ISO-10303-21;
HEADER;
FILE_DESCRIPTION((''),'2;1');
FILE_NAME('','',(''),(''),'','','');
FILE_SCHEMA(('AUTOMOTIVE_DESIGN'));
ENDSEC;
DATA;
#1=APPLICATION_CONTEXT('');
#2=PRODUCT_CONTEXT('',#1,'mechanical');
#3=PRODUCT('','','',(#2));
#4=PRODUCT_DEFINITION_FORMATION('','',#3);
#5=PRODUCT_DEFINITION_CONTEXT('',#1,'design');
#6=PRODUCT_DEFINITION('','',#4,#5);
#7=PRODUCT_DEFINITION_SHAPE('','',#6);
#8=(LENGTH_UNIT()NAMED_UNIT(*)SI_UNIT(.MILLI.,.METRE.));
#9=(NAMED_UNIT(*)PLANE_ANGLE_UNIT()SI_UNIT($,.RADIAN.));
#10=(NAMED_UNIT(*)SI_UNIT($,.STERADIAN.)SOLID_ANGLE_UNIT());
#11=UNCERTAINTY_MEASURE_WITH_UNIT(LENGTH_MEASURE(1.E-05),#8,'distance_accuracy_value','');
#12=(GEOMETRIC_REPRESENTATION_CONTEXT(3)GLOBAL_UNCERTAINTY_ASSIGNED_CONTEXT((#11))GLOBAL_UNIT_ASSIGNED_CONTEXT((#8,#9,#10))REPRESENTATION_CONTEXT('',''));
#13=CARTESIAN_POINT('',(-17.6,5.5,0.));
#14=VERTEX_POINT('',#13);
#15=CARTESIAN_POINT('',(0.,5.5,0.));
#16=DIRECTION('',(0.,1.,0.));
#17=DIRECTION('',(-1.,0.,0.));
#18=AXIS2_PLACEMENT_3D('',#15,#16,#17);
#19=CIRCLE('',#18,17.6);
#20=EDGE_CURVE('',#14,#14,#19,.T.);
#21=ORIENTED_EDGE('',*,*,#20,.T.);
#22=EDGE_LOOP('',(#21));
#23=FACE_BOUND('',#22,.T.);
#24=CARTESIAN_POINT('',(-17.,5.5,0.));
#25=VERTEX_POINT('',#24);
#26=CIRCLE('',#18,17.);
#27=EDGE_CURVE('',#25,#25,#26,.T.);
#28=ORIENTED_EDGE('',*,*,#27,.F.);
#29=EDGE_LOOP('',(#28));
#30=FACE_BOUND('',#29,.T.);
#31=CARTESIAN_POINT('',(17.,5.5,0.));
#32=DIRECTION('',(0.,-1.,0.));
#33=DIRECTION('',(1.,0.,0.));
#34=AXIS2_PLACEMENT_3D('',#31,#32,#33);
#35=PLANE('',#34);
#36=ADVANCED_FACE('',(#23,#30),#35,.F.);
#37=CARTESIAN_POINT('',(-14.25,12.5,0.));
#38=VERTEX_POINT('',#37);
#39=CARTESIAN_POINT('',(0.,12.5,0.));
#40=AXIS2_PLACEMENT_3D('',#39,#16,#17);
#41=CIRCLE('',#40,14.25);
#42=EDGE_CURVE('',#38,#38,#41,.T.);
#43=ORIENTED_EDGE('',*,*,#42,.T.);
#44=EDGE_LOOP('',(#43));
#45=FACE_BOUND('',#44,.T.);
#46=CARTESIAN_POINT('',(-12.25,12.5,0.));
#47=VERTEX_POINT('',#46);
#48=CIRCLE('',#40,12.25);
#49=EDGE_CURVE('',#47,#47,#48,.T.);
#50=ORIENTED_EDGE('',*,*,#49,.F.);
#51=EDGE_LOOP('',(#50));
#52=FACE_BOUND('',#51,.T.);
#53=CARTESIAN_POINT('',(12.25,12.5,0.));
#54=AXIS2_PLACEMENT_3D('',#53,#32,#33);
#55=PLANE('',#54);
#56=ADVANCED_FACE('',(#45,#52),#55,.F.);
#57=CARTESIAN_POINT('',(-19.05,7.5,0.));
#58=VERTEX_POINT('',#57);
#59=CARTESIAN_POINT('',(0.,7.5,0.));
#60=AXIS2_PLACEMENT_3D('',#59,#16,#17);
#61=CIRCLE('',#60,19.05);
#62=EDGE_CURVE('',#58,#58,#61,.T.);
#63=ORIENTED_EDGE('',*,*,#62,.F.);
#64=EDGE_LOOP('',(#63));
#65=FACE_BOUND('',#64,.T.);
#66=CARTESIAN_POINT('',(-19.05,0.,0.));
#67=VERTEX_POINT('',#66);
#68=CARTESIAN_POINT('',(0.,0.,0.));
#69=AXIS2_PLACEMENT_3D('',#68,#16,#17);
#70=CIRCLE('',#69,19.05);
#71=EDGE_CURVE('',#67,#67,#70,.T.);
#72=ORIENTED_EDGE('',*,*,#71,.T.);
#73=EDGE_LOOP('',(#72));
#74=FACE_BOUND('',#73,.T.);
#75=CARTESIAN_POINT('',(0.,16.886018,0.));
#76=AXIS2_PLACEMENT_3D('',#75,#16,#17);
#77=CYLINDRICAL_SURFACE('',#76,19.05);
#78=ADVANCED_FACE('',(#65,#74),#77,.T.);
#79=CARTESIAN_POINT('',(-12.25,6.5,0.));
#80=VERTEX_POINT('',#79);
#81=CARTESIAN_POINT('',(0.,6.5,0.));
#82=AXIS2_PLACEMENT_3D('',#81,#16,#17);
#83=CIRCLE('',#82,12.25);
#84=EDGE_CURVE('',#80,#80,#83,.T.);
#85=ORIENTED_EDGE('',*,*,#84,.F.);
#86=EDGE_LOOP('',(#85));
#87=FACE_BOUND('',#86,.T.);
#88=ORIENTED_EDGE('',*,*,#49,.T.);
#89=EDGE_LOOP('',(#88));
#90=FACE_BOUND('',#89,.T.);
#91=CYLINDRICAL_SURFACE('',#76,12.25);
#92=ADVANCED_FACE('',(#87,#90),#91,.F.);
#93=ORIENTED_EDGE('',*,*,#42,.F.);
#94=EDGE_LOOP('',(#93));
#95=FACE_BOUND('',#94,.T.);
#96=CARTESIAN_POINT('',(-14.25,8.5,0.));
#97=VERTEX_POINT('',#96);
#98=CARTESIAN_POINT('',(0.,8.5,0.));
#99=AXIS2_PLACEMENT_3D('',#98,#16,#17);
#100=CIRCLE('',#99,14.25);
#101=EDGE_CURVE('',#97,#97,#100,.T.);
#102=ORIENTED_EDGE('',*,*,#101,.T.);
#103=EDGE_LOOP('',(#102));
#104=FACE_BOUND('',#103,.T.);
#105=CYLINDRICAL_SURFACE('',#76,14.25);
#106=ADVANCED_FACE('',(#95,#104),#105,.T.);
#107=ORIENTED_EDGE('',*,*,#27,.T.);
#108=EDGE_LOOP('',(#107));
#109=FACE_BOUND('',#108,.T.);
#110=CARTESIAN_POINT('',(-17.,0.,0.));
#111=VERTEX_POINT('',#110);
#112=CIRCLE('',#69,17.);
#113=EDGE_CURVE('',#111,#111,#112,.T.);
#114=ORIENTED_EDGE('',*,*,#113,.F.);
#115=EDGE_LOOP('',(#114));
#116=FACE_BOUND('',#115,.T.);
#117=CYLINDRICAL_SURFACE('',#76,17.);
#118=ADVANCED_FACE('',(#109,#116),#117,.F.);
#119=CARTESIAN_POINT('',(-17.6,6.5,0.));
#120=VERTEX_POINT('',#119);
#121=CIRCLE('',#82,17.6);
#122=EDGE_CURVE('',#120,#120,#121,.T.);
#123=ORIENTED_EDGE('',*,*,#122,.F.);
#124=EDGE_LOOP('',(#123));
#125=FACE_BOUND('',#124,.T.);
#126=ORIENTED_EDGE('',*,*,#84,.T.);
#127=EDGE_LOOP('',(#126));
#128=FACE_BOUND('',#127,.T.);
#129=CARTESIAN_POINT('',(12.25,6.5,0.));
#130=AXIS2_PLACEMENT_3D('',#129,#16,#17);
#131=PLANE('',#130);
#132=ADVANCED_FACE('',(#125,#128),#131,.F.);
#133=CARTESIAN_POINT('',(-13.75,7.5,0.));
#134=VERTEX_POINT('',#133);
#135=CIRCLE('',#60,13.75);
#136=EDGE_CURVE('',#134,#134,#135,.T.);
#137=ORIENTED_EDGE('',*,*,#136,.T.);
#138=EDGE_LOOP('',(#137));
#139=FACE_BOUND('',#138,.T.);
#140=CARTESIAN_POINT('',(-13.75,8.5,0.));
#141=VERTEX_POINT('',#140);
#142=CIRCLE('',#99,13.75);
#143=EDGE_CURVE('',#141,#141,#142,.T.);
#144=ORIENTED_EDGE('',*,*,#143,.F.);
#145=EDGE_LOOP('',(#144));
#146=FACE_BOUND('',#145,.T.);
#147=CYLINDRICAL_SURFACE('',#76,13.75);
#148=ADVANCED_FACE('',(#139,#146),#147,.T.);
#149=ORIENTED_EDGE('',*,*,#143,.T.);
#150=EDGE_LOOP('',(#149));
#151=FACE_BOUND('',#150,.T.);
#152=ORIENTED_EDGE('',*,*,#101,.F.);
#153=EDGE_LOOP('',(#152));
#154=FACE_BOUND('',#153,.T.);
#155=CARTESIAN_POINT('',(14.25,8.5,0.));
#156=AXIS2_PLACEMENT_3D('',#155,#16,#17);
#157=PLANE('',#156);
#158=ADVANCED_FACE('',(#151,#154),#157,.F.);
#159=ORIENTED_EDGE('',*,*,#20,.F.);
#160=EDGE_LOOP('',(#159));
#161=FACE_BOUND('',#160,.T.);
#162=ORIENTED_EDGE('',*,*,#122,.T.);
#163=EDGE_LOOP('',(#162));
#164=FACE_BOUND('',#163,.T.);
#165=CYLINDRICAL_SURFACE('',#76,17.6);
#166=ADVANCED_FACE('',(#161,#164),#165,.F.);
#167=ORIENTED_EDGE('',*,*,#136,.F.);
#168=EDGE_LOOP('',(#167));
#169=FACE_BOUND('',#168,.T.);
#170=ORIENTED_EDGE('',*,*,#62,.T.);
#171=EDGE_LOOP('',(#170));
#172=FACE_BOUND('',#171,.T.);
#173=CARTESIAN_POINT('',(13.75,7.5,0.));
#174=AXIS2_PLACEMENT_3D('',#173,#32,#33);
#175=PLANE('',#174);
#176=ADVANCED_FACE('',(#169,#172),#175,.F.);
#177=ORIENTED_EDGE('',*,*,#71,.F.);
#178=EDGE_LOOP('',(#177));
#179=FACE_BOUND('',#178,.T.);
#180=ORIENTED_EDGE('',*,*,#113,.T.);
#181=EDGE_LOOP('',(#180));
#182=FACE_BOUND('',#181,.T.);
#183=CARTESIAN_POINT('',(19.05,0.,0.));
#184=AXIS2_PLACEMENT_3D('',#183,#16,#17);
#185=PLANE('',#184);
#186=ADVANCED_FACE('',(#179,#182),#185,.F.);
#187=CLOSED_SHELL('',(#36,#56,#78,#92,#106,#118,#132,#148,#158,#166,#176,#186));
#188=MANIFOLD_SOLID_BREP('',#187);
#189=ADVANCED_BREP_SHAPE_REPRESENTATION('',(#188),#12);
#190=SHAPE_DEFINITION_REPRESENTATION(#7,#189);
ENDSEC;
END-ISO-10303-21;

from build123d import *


with BuildPart() as part:
    # 草图1 → 旋转1 (revolve)
    with BuildSketch(Plane.XY, mode=Mode.PRIVATE) as revolve_1_sk:
        Polygon((17, 0), (17, 5.5), (17.6, 5.5), (17.6, 6.5), (12.25, 6.5), (12.25, 12.5), (14.25, 12.5), (14.25, 8.5), (13.75, 8.5), (13.75, 7.5), (19.05, 7.5), (19.05, 0), align=None)
    revolve(revolve_1_sk.sketch.rotate(Axis((0, 16.886018237, 0), (0, -1, 0)), 180), axis=Axis((0, 16.886018237, 0), (0, -1, 0)))  # turned: the seam where the file's is


solid = part.part
